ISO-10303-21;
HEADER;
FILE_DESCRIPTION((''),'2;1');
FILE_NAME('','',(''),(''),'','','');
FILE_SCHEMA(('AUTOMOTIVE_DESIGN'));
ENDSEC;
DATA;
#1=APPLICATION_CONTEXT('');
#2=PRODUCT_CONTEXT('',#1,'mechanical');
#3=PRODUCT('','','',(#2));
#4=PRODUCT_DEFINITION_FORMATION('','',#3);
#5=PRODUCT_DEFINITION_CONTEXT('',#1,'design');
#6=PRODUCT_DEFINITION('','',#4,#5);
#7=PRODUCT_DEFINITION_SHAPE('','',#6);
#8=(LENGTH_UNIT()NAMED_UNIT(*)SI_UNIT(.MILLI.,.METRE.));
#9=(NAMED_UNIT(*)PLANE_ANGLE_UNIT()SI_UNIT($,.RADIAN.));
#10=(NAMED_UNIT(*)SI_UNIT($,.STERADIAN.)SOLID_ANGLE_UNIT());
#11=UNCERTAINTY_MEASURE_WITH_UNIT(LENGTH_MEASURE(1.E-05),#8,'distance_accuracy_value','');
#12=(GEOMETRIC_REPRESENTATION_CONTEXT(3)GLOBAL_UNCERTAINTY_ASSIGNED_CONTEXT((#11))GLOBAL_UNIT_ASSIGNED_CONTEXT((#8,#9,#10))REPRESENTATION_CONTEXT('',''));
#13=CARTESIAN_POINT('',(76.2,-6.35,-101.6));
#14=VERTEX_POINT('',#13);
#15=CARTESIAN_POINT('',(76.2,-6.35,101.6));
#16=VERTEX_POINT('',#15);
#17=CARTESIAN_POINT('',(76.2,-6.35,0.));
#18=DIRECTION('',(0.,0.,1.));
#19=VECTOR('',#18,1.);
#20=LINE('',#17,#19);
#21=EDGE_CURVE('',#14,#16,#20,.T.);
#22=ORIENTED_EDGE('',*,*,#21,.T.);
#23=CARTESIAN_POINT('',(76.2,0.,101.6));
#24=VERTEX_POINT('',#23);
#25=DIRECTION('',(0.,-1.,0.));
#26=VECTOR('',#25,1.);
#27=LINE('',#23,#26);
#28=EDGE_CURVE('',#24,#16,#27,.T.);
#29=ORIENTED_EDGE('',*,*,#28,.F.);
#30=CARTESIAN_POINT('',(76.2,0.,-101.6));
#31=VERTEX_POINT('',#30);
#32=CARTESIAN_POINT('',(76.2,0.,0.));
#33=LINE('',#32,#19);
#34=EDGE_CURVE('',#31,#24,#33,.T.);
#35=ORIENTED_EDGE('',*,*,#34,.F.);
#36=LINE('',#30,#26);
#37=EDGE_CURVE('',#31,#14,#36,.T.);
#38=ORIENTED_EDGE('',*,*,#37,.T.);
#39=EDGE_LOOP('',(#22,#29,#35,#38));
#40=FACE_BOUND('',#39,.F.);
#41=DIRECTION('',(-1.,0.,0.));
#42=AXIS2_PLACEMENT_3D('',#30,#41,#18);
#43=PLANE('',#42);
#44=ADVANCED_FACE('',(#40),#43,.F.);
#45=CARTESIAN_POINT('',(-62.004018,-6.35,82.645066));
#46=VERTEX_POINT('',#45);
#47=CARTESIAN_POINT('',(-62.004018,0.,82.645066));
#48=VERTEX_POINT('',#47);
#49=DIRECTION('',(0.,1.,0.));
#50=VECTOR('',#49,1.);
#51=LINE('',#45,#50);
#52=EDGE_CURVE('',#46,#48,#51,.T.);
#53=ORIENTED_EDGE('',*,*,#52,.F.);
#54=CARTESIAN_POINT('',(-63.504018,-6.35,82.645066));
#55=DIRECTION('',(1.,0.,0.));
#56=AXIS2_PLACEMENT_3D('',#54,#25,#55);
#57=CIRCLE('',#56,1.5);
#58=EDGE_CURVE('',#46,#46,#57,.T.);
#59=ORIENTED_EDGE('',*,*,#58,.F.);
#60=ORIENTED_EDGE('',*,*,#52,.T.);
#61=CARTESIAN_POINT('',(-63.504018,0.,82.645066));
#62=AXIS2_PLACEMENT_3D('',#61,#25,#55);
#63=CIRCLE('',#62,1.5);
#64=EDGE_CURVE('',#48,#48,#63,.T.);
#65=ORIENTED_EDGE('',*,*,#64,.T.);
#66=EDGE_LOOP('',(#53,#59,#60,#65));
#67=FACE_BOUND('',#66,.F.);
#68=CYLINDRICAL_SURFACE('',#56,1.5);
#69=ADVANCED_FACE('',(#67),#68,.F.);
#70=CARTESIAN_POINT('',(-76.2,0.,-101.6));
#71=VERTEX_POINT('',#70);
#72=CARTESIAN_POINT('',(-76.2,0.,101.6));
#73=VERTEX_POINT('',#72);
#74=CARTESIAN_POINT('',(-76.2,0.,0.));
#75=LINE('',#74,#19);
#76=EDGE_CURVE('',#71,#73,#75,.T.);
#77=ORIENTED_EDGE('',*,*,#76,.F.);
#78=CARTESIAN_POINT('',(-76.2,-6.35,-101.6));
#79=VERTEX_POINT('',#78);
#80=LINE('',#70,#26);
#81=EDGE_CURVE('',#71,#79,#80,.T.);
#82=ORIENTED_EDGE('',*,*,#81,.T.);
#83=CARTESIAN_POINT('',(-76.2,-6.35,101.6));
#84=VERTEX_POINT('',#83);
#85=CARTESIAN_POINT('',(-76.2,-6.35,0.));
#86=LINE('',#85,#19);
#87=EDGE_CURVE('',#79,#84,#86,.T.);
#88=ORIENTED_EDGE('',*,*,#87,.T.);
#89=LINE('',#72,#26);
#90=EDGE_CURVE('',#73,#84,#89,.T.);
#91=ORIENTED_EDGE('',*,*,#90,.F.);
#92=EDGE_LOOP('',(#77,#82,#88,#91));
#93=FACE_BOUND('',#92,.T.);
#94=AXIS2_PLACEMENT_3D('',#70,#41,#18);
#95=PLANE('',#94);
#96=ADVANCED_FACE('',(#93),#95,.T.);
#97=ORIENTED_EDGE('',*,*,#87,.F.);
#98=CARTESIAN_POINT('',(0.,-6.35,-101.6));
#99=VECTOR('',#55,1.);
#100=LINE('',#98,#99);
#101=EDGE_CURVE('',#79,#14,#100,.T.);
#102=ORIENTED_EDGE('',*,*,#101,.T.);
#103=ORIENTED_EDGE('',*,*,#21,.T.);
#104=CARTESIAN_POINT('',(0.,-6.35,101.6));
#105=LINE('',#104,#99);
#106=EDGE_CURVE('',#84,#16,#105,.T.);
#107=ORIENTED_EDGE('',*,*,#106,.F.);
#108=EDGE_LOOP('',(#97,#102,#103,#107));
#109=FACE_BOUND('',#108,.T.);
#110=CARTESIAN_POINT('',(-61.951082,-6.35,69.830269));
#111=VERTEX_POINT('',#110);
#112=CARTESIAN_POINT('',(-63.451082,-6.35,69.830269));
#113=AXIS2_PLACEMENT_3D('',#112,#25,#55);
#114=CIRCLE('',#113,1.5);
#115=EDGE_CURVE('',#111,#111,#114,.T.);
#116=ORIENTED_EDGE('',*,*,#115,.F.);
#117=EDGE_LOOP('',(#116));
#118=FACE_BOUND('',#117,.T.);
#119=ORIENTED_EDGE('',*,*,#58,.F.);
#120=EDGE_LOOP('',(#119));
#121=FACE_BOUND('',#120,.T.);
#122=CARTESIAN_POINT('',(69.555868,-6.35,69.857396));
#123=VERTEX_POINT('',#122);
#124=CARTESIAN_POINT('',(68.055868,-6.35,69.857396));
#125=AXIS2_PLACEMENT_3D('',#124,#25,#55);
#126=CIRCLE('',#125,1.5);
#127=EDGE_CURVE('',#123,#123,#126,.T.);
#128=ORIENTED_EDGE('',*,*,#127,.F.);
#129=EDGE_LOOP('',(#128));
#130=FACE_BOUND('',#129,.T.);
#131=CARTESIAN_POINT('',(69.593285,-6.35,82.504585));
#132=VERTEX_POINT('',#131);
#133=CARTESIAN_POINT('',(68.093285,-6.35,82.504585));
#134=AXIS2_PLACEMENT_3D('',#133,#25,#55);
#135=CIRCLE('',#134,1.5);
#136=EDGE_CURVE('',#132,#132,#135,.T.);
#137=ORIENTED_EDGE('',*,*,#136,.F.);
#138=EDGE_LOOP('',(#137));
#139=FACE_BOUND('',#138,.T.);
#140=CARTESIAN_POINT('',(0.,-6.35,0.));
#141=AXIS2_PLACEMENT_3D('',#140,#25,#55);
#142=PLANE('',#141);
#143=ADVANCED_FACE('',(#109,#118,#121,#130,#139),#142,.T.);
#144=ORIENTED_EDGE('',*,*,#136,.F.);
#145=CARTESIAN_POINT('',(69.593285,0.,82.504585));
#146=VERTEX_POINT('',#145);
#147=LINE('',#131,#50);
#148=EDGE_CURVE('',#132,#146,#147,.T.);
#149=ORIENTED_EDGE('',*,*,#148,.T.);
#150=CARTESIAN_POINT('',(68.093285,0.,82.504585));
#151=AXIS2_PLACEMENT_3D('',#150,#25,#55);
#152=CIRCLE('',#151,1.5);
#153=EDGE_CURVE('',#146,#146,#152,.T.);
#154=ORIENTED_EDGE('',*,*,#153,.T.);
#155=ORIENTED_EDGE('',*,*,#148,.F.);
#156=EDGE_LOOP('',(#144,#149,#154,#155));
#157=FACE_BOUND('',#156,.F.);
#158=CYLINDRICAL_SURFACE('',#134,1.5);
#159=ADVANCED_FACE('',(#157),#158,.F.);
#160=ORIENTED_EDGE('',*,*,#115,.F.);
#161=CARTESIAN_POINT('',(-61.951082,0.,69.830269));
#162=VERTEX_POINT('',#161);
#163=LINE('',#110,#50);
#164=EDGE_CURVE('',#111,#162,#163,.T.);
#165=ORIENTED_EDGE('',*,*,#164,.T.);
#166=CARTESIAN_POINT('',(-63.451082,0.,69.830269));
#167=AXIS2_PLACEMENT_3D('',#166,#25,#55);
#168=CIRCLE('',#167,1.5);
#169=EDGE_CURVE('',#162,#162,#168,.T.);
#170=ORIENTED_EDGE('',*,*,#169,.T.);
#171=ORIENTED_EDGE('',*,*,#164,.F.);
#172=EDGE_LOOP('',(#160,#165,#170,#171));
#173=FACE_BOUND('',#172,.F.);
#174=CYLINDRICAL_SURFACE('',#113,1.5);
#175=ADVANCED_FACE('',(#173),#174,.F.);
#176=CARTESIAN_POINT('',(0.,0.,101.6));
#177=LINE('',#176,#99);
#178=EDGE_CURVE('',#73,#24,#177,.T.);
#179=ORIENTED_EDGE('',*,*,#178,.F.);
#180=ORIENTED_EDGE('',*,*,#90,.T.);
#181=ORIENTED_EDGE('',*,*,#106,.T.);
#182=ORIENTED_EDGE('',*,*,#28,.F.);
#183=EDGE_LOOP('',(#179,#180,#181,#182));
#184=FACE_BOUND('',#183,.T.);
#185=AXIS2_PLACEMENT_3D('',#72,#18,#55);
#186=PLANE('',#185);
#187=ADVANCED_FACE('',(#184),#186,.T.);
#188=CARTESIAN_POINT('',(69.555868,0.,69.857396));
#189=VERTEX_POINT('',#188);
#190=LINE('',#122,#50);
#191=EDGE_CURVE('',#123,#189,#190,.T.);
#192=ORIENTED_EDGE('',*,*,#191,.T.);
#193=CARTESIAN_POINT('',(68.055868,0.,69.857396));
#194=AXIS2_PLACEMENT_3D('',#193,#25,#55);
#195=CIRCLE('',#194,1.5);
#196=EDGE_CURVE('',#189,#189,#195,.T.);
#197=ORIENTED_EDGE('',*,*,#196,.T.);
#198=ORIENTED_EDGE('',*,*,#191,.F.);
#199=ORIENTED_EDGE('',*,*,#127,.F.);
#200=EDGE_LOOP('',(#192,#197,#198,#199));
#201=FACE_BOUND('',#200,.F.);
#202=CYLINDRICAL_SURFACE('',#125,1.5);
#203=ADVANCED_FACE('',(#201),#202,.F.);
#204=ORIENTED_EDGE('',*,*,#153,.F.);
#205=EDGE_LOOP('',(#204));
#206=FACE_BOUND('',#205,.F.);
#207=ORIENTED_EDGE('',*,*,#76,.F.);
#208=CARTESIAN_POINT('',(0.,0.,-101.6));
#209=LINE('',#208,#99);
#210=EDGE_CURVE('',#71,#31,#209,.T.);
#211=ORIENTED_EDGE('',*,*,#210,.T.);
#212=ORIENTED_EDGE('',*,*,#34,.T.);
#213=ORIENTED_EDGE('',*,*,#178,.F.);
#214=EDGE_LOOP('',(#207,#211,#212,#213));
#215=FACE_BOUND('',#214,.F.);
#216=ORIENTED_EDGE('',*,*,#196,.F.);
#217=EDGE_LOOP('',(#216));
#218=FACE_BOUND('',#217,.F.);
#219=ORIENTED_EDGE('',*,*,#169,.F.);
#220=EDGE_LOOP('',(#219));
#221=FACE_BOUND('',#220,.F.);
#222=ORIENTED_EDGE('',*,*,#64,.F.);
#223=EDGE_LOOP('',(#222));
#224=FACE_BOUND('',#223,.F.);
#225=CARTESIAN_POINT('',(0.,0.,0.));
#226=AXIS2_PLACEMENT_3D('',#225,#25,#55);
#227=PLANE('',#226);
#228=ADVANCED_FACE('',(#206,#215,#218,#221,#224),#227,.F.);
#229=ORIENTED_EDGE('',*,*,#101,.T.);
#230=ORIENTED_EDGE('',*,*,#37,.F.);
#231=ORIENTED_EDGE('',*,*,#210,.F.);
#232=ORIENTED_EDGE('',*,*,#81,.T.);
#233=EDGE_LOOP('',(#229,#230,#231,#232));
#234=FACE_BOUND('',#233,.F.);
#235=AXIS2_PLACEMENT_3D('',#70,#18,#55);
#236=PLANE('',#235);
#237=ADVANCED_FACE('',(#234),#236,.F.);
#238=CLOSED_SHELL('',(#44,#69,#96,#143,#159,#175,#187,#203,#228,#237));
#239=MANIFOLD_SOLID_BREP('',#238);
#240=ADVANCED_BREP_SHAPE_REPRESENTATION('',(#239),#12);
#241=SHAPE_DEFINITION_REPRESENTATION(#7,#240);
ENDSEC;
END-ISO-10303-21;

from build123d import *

# Parameters (mm, degrees)
F0_W     = 152.4
F0_H     = 203.2
F1_DEPTH = 6.35
F4_R     = 1.5
F3_R     = 1.5
F5_DEPTH = 159.766
F6_R     = 1.5
F7_DEPTH = 116.84


with BuildPart() as f1:
    # F0 (on Front) → F1 (new body)
    with BuildSketch(Plane.XZ):
        Rectangle(F0_W, F0_H)
    extrude(amount=F1_DEPTH)

    # F4 (on face) + F3 (on face) → F5 (cut)
    with BuildSketch(Plane.XZ.offset(6.35)):
        with Locations((-63.451082, 69.830269)):
            Circle(F4_R)
    with BuildSketch(Plane.XZ.offset(6.35)):
        with Locations((-63.504018, 82.645066)):
            Circle(F3_R)
    extrude(amount=-F5_DEPTH, mode=Mode.SUBTRACT)

    # F6 (on face) → F7 (cut)
    with BuildSketch(Plane.XZ.offset(6.35)):
        with Locations((68.093285, 82.504585)):
            Circle(F6_R)
        with Locations((68.055868, 69.857396)):
            Circle(F6_R)
    extrude(amount=-F7_DEPTH, mode=Mode.SUBTRACT)


solid = f1.part
